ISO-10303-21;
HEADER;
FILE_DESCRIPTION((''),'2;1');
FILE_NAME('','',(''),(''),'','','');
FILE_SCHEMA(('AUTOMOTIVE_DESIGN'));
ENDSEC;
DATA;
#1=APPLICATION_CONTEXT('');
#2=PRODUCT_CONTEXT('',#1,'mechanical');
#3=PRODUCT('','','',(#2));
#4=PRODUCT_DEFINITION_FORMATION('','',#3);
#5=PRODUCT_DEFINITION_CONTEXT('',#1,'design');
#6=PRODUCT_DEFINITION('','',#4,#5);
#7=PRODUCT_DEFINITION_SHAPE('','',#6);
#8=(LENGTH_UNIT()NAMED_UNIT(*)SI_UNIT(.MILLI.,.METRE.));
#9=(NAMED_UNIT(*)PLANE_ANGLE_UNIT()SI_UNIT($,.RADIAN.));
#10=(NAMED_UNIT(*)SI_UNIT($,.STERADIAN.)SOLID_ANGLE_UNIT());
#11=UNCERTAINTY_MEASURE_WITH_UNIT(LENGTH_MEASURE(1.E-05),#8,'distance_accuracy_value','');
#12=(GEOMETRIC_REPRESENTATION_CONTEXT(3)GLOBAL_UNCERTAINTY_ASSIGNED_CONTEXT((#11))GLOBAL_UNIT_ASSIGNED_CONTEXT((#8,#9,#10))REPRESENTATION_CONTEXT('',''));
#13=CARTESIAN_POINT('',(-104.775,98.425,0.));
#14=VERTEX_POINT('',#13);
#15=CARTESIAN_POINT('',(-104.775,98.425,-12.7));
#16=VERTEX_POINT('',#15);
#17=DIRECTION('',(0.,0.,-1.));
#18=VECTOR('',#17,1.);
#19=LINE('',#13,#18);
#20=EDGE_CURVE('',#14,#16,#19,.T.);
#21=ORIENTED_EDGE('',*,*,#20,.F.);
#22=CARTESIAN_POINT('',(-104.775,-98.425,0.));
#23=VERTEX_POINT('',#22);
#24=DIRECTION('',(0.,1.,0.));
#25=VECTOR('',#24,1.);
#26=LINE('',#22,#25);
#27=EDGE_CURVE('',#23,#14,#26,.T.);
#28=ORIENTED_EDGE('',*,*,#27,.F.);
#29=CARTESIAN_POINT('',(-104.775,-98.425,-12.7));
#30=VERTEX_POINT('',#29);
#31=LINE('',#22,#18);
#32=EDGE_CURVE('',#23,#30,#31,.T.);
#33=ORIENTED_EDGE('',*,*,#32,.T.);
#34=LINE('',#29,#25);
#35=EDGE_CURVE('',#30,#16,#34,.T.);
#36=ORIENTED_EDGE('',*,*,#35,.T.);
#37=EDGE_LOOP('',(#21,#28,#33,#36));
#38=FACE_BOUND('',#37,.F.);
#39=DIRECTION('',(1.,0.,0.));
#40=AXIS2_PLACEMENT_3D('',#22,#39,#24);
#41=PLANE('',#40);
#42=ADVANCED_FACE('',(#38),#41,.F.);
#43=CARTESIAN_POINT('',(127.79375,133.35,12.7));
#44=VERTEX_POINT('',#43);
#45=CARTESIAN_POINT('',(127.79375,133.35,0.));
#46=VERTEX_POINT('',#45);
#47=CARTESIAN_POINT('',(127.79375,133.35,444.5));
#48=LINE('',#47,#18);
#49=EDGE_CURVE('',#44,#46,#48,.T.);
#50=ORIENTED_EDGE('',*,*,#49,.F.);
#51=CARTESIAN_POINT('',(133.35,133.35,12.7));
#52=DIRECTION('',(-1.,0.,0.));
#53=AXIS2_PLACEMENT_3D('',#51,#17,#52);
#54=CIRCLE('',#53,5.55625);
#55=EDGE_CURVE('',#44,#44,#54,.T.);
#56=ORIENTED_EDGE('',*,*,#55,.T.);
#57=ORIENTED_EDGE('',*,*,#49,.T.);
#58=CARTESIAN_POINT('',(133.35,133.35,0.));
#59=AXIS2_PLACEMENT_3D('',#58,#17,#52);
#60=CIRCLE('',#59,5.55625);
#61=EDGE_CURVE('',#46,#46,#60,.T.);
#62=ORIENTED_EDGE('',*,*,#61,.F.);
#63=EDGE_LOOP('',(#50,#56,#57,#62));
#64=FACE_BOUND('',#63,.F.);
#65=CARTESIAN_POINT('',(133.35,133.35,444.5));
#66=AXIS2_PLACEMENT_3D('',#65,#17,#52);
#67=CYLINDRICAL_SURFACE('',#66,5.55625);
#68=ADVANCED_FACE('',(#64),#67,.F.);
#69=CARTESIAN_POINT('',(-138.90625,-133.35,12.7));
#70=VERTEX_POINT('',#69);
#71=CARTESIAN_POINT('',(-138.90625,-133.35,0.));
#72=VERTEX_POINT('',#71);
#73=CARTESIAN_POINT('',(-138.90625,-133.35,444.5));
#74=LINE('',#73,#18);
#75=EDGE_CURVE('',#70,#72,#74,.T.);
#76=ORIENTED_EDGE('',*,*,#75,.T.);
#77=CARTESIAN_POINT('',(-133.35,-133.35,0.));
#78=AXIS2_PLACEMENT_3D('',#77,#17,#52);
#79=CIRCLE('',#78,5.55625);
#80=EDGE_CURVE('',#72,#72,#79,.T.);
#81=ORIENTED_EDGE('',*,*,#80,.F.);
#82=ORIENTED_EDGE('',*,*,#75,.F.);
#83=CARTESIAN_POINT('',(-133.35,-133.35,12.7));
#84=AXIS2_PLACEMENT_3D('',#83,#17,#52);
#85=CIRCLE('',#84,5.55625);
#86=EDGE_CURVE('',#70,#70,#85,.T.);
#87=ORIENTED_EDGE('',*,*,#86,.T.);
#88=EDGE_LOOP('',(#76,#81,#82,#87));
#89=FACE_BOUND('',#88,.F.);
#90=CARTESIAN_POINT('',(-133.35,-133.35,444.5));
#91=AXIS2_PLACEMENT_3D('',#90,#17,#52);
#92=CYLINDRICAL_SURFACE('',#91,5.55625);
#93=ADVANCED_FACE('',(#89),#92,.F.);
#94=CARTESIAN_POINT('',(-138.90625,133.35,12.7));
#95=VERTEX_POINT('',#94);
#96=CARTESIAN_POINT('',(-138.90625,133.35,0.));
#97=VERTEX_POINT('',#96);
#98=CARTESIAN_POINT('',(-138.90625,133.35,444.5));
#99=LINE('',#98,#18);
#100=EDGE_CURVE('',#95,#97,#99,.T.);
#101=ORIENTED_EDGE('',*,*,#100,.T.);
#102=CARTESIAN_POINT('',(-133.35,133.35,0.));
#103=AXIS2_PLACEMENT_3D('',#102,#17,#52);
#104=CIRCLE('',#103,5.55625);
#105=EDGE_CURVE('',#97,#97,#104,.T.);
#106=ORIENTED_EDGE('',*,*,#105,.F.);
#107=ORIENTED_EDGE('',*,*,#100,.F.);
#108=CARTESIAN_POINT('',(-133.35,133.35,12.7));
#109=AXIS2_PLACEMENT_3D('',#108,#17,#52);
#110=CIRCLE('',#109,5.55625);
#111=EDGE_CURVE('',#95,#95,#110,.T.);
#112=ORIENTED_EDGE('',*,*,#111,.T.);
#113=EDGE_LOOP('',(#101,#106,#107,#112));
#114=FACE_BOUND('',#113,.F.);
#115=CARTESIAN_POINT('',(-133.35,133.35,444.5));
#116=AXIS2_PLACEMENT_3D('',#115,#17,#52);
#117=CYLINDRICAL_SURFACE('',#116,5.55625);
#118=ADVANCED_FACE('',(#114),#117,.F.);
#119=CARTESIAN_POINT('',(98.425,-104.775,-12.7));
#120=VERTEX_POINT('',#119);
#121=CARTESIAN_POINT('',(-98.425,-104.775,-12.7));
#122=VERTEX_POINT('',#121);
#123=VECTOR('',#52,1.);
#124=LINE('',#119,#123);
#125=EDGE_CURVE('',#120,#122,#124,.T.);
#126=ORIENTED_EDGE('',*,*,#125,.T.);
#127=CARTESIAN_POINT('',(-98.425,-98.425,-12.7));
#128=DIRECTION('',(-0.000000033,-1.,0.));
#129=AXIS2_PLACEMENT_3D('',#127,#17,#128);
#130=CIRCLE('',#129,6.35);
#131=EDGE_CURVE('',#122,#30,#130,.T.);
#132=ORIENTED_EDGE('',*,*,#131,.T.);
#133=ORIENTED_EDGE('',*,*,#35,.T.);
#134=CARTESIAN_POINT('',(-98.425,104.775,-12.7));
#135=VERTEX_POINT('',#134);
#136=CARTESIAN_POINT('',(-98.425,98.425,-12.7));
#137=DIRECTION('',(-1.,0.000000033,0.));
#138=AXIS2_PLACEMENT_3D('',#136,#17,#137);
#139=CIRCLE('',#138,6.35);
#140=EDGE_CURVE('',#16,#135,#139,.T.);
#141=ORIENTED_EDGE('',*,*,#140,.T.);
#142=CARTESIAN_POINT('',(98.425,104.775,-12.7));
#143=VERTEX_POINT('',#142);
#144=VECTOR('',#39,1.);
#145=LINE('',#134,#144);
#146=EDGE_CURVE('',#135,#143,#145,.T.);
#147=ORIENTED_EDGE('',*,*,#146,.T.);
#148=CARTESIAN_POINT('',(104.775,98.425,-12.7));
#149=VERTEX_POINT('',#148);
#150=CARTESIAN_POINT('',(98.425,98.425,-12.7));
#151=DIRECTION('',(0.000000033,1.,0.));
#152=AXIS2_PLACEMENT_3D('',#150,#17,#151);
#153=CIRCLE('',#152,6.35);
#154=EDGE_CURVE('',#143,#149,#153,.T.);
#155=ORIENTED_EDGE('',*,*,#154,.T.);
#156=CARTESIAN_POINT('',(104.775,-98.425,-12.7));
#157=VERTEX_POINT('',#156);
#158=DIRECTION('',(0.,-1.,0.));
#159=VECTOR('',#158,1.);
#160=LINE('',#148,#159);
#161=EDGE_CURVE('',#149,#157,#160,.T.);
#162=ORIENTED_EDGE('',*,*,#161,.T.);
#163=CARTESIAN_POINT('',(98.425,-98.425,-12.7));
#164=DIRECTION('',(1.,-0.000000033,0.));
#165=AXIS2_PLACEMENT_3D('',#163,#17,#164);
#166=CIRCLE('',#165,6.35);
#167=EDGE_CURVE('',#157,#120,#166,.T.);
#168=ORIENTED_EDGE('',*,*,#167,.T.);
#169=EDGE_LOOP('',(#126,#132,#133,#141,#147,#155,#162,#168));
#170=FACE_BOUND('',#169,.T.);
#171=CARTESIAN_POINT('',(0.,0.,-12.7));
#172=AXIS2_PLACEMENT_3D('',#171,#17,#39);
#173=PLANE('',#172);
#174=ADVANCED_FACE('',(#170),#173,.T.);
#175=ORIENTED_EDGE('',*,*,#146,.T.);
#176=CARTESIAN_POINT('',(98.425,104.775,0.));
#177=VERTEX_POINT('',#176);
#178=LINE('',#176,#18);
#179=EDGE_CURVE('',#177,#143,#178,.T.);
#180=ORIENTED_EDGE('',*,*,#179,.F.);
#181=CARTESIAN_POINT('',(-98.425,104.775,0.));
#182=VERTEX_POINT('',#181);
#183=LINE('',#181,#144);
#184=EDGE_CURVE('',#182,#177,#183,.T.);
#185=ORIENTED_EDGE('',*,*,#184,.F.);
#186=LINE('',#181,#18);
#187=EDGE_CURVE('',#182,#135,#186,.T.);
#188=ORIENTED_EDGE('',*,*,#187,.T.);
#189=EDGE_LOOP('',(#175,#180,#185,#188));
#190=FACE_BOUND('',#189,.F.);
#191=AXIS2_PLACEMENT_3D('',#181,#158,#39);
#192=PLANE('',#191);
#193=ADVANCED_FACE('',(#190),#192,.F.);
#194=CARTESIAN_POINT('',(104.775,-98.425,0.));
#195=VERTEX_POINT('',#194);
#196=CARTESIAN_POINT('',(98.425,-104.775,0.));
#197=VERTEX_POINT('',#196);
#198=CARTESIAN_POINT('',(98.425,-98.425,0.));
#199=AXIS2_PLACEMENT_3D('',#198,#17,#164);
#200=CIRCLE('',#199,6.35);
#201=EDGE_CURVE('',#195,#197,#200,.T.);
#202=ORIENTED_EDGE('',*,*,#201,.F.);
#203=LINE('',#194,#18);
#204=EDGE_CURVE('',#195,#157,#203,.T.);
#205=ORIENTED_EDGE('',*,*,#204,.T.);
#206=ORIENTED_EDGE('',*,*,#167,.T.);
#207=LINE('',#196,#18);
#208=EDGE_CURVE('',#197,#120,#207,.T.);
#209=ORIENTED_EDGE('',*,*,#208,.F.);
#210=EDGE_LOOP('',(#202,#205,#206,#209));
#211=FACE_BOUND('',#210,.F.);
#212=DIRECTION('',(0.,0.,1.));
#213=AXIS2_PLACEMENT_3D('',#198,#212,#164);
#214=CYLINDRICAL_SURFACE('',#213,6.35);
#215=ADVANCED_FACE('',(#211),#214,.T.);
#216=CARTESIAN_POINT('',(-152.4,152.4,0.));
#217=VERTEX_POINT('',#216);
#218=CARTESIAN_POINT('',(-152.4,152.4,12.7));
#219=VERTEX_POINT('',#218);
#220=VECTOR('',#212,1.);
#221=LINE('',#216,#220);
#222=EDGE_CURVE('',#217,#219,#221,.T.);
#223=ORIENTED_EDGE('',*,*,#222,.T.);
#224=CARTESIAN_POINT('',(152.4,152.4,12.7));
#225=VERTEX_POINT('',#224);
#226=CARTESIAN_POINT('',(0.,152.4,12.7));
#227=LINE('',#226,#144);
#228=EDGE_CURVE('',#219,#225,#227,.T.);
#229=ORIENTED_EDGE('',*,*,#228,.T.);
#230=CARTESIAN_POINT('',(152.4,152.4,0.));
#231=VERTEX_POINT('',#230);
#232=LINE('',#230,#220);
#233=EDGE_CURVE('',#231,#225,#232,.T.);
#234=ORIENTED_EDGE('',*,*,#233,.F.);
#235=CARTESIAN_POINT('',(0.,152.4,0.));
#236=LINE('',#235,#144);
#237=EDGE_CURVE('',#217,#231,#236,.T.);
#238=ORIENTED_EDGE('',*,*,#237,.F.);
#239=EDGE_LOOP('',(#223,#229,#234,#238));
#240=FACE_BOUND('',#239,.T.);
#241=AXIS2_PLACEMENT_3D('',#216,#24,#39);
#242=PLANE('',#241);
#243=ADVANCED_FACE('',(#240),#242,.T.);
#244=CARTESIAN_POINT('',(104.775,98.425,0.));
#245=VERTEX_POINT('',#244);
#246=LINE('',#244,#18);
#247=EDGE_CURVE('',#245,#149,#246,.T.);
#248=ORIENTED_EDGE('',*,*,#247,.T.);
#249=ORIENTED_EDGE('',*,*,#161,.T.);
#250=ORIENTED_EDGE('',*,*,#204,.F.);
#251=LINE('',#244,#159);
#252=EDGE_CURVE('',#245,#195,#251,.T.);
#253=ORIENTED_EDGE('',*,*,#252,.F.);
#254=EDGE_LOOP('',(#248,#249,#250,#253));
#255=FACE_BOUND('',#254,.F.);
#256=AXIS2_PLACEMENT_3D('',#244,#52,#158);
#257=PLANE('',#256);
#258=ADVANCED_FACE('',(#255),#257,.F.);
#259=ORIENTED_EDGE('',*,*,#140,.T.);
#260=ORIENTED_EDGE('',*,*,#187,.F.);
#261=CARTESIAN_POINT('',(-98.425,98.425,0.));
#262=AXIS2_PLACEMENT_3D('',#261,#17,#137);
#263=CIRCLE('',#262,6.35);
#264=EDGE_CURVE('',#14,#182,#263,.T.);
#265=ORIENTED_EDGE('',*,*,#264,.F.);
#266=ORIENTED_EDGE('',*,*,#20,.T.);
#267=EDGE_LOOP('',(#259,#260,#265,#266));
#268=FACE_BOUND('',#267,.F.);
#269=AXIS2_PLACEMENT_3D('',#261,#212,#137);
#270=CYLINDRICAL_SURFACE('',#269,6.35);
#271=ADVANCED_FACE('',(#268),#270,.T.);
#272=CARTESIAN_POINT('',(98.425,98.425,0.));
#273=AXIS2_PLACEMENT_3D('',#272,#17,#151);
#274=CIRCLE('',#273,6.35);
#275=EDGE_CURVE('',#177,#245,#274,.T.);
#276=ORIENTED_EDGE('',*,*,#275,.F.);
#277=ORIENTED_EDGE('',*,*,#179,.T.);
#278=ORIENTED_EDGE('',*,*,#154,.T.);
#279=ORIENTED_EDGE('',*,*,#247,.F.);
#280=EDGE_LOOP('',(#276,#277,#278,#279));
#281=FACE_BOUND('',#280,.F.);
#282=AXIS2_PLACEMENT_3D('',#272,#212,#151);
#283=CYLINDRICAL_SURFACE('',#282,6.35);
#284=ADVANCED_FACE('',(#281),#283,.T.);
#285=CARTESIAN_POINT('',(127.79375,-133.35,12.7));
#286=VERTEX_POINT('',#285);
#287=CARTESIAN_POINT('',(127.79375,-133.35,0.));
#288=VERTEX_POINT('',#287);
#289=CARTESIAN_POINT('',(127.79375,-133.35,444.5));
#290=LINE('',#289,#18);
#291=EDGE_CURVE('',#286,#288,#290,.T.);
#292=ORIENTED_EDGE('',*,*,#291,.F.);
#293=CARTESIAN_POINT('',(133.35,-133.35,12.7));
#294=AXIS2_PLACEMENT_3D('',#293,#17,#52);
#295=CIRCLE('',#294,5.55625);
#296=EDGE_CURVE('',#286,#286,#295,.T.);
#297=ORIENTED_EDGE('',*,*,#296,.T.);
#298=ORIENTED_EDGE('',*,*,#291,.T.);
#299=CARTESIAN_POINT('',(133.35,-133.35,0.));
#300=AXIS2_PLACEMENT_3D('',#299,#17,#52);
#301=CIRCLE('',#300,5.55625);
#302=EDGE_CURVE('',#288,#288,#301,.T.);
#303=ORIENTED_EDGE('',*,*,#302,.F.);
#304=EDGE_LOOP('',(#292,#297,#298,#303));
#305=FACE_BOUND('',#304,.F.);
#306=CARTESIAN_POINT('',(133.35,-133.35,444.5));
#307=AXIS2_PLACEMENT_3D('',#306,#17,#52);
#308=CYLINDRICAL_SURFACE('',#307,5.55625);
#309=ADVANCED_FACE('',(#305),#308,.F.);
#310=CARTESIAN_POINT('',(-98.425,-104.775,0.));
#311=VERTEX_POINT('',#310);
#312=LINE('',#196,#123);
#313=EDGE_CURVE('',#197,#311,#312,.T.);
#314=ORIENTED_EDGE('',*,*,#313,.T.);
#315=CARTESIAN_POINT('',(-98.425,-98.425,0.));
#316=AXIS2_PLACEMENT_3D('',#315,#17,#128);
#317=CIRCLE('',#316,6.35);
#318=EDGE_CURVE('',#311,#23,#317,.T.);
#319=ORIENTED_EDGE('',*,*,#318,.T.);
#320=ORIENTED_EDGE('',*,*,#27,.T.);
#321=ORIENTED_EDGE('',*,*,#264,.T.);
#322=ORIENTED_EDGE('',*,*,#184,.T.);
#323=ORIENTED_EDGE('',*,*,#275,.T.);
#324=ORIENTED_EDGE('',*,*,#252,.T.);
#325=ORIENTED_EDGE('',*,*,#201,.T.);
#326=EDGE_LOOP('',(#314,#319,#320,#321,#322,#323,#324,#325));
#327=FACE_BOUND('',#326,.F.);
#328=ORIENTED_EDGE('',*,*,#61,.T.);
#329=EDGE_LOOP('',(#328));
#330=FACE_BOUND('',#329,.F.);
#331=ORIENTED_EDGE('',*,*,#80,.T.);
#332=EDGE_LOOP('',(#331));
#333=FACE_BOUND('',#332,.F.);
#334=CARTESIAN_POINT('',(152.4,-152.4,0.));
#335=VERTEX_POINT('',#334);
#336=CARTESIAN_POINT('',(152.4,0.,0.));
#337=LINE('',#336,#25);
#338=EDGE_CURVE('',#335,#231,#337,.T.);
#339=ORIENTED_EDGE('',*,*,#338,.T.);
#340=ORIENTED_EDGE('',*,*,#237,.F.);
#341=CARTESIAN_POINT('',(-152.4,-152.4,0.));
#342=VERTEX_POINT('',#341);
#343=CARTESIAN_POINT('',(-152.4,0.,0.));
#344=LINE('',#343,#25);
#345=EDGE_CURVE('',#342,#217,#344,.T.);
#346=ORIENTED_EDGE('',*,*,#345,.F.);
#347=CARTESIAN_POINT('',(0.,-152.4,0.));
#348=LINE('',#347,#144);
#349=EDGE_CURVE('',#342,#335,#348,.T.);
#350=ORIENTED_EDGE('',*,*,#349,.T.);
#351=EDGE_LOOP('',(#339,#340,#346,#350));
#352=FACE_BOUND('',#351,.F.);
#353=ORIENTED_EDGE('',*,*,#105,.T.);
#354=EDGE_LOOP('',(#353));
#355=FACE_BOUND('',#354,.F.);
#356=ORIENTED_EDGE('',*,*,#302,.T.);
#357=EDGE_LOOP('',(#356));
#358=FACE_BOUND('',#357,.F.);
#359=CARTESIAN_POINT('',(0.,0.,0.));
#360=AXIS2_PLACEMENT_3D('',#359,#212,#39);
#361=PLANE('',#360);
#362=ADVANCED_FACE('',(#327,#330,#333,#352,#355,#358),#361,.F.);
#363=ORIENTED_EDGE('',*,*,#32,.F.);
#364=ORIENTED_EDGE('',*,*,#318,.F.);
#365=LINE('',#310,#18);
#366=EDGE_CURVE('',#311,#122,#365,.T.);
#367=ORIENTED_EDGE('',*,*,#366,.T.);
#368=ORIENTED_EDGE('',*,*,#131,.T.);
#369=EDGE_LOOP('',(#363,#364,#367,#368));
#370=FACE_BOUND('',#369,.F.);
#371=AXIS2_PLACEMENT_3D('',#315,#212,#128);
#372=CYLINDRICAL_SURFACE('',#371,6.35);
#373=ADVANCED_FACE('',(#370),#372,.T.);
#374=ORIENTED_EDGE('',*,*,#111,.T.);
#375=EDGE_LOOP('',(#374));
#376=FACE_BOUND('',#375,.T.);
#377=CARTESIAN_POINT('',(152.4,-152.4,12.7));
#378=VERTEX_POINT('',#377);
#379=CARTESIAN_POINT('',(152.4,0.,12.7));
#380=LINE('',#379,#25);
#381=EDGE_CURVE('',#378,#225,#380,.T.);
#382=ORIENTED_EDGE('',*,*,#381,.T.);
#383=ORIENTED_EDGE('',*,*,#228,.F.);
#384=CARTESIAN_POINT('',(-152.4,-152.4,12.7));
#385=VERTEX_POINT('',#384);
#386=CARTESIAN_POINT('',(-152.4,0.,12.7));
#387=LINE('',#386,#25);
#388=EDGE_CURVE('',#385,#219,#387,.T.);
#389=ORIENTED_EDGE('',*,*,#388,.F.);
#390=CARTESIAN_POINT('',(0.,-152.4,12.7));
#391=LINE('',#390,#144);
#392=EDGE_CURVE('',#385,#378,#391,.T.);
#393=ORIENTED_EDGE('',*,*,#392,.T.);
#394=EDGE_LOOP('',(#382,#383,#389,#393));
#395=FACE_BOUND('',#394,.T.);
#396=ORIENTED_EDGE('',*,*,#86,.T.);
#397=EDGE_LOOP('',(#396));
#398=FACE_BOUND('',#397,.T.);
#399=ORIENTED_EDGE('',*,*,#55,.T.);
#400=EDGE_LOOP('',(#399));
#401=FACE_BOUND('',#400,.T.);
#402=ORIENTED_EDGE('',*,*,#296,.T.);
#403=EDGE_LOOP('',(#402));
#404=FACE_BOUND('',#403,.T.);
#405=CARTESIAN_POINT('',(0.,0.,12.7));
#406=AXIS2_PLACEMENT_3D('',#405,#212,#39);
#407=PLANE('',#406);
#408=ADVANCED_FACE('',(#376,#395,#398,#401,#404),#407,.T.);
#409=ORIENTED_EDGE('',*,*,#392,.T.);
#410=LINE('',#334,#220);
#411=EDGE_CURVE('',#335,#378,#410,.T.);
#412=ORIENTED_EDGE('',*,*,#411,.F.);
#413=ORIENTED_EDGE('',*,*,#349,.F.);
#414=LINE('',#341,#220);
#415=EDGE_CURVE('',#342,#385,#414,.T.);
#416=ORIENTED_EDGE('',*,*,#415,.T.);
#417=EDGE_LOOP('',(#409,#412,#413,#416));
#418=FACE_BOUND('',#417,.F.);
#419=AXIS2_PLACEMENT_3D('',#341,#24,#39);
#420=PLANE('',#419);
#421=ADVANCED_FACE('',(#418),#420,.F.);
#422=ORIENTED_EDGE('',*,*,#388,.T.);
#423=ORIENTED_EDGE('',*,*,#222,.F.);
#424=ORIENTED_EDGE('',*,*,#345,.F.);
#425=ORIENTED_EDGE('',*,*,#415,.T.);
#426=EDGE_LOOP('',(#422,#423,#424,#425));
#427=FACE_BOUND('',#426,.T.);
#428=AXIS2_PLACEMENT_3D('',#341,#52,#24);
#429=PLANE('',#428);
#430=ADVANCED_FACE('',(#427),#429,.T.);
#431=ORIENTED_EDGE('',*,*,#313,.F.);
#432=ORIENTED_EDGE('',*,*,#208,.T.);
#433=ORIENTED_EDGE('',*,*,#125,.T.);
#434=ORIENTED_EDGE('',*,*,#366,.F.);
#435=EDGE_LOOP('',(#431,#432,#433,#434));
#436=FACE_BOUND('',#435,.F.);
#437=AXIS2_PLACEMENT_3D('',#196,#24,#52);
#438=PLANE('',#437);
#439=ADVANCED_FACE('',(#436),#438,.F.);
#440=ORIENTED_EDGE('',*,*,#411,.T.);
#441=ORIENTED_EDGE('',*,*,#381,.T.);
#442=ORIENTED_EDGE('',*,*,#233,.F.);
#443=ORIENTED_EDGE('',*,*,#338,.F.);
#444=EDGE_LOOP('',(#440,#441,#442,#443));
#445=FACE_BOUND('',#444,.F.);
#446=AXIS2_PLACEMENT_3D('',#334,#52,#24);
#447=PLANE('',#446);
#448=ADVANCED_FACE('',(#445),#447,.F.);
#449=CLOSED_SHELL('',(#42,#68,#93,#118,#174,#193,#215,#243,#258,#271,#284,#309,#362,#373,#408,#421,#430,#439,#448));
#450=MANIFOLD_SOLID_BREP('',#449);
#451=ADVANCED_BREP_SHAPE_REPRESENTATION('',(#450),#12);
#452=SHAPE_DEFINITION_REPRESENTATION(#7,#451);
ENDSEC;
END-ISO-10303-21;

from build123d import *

# Parameters (mm, degrees)
F0_W     = 304.8
F0_H     = 304.8
F1_DEPTH = 12.7
F3_DEPTH = 12.7
F5_D     = 11.1125


with BuildPart() as f1:
    # F0 (on Top) → F1 (new body)
    with BuildSketch(Plane.XY):
        Rectangle(F0_W, F0_H)
    extrude(amount=F1_DEPTH)

    # F2 (on face) → F3 (join)
    with BuildSketch(Plane(origin=(0, 0, 0), x_dir=(1, 0, 0), z_dir=(0, 0, -1))):
        with BuildLine():
            Line((98.425, 104.775), (-98.425, 104.775))
            ThreePointArc((-98.425, 104.775), (-102.915128, 102.915128), (-104.775, 98.425))
            Line((-104.775, 98.425), (-104.775, -98.425))
            ThreePointArc((-104.775, -98.425), (-102.915128, -102.915128), (-98.425, -104.775))
            Line((-98.425, -104.775), (98.425, -104.775))
            ThreePointArc((98.425, -104.775), (102.915128, -102.915128), (104.775, -98.425))
            Line((104.775, -98.425), (104.775, 98.425))
            ThreePointArc((104.775, 98.425), (102.915128, 102.915128), (98.425, 104.775))
        make_face()
    extrude(amount=F3_DEPTH)

    # F5 (through all)
    with Locations(Plane.XY.offset(12.7)):
        with Locations((-133.35, 133.35), (133.35, 133.35), (133.35, -133.35), (-133.35, -133.35)):
            Hole(F5_D / 2)


solid = f1.part
